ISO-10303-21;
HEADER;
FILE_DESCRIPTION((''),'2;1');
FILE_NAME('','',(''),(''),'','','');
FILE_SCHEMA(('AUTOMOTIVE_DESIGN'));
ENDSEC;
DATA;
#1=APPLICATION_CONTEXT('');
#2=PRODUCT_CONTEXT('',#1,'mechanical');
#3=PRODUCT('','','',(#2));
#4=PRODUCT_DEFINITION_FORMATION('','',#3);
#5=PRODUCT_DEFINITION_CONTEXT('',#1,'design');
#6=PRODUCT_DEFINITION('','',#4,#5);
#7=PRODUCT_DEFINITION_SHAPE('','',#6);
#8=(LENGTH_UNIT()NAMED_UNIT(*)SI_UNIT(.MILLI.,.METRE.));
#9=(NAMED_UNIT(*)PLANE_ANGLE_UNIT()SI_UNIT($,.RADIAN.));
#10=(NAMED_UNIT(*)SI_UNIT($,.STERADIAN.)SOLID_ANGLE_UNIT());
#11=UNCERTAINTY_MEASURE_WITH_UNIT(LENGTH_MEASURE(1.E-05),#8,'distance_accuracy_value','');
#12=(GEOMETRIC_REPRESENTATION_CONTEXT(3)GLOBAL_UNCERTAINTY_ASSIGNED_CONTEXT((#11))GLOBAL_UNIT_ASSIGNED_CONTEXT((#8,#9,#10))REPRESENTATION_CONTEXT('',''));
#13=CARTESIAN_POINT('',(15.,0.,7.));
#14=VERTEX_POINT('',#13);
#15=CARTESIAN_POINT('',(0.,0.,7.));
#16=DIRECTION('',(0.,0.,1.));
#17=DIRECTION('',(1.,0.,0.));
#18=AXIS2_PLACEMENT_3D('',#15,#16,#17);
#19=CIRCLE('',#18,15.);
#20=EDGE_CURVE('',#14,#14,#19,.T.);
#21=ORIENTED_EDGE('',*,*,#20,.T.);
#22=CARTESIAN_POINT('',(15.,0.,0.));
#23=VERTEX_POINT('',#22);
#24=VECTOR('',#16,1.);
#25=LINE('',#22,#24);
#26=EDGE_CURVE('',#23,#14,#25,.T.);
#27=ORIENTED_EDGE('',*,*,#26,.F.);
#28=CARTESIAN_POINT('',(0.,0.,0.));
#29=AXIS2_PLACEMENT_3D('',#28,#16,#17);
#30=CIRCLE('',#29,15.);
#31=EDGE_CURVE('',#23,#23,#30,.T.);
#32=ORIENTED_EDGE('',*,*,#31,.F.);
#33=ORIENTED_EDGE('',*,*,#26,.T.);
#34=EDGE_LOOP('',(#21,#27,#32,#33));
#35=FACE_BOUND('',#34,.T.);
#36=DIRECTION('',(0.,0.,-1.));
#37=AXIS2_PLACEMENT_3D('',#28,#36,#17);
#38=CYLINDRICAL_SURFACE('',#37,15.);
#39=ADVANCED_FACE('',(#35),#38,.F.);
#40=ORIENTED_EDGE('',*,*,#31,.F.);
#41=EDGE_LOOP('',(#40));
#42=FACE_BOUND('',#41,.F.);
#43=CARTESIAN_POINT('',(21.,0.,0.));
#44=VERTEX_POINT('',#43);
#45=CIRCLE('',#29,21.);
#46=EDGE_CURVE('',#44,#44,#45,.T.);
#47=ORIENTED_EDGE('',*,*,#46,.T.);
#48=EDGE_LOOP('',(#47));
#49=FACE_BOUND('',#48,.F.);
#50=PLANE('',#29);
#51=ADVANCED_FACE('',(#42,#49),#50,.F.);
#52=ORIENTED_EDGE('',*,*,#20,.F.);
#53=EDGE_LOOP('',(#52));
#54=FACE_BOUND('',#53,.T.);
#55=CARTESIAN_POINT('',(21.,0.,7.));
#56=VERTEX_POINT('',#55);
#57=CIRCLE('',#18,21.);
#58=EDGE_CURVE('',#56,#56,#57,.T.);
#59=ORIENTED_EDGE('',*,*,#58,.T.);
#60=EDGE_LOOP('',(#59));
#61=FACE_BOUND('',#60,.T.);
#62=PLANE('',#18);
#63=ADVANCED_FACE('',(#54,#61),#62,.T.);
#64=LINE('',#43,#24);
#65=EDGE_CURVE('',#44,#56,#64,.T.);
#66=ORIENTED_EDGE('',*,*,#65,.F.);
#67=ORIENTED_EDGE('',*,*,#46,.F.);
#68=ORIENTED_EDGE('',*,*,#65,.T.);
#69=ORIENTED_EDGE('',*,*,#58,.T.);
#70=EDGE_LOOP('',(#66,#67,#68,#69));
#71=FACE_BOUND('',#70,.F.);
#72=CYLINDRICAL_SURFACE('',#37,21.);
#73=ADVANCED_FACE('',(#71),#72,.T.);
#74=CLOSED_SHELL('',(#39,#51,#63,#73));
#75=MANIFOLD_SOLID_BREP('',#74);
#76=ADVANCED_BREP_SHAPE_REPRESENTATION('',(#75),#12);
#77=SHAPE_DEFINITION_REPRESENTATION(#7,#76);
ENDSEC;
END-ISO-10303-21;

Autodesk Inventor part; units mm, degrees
ref_plane "YZ Plane" through (0, 0, 0) normal (1, 0, 0) x (0, 1, 0)
ref_plane "XZ Plane" through (0, 0, 0) normal (0, 1, 0) x (-1, 0, 0)
ref_plane "XY Plane" through (0, 0, 0) normal (0, 0, 1) x (1, 0, 0)
sketch "Эскиз1" plane through (0, 0, 0) normal (0, 0, 1) x (1, 0, 0)
  circle A0 centre (0, 0) radius 15
  circle A1 centre (0, 0) radius 21
  dimension "d0" = 30
  dimension "d1" = 42
extrude "Выдавливание1" add sketch "Эскиз1" along normal blind 7
properties part number "bearing"
